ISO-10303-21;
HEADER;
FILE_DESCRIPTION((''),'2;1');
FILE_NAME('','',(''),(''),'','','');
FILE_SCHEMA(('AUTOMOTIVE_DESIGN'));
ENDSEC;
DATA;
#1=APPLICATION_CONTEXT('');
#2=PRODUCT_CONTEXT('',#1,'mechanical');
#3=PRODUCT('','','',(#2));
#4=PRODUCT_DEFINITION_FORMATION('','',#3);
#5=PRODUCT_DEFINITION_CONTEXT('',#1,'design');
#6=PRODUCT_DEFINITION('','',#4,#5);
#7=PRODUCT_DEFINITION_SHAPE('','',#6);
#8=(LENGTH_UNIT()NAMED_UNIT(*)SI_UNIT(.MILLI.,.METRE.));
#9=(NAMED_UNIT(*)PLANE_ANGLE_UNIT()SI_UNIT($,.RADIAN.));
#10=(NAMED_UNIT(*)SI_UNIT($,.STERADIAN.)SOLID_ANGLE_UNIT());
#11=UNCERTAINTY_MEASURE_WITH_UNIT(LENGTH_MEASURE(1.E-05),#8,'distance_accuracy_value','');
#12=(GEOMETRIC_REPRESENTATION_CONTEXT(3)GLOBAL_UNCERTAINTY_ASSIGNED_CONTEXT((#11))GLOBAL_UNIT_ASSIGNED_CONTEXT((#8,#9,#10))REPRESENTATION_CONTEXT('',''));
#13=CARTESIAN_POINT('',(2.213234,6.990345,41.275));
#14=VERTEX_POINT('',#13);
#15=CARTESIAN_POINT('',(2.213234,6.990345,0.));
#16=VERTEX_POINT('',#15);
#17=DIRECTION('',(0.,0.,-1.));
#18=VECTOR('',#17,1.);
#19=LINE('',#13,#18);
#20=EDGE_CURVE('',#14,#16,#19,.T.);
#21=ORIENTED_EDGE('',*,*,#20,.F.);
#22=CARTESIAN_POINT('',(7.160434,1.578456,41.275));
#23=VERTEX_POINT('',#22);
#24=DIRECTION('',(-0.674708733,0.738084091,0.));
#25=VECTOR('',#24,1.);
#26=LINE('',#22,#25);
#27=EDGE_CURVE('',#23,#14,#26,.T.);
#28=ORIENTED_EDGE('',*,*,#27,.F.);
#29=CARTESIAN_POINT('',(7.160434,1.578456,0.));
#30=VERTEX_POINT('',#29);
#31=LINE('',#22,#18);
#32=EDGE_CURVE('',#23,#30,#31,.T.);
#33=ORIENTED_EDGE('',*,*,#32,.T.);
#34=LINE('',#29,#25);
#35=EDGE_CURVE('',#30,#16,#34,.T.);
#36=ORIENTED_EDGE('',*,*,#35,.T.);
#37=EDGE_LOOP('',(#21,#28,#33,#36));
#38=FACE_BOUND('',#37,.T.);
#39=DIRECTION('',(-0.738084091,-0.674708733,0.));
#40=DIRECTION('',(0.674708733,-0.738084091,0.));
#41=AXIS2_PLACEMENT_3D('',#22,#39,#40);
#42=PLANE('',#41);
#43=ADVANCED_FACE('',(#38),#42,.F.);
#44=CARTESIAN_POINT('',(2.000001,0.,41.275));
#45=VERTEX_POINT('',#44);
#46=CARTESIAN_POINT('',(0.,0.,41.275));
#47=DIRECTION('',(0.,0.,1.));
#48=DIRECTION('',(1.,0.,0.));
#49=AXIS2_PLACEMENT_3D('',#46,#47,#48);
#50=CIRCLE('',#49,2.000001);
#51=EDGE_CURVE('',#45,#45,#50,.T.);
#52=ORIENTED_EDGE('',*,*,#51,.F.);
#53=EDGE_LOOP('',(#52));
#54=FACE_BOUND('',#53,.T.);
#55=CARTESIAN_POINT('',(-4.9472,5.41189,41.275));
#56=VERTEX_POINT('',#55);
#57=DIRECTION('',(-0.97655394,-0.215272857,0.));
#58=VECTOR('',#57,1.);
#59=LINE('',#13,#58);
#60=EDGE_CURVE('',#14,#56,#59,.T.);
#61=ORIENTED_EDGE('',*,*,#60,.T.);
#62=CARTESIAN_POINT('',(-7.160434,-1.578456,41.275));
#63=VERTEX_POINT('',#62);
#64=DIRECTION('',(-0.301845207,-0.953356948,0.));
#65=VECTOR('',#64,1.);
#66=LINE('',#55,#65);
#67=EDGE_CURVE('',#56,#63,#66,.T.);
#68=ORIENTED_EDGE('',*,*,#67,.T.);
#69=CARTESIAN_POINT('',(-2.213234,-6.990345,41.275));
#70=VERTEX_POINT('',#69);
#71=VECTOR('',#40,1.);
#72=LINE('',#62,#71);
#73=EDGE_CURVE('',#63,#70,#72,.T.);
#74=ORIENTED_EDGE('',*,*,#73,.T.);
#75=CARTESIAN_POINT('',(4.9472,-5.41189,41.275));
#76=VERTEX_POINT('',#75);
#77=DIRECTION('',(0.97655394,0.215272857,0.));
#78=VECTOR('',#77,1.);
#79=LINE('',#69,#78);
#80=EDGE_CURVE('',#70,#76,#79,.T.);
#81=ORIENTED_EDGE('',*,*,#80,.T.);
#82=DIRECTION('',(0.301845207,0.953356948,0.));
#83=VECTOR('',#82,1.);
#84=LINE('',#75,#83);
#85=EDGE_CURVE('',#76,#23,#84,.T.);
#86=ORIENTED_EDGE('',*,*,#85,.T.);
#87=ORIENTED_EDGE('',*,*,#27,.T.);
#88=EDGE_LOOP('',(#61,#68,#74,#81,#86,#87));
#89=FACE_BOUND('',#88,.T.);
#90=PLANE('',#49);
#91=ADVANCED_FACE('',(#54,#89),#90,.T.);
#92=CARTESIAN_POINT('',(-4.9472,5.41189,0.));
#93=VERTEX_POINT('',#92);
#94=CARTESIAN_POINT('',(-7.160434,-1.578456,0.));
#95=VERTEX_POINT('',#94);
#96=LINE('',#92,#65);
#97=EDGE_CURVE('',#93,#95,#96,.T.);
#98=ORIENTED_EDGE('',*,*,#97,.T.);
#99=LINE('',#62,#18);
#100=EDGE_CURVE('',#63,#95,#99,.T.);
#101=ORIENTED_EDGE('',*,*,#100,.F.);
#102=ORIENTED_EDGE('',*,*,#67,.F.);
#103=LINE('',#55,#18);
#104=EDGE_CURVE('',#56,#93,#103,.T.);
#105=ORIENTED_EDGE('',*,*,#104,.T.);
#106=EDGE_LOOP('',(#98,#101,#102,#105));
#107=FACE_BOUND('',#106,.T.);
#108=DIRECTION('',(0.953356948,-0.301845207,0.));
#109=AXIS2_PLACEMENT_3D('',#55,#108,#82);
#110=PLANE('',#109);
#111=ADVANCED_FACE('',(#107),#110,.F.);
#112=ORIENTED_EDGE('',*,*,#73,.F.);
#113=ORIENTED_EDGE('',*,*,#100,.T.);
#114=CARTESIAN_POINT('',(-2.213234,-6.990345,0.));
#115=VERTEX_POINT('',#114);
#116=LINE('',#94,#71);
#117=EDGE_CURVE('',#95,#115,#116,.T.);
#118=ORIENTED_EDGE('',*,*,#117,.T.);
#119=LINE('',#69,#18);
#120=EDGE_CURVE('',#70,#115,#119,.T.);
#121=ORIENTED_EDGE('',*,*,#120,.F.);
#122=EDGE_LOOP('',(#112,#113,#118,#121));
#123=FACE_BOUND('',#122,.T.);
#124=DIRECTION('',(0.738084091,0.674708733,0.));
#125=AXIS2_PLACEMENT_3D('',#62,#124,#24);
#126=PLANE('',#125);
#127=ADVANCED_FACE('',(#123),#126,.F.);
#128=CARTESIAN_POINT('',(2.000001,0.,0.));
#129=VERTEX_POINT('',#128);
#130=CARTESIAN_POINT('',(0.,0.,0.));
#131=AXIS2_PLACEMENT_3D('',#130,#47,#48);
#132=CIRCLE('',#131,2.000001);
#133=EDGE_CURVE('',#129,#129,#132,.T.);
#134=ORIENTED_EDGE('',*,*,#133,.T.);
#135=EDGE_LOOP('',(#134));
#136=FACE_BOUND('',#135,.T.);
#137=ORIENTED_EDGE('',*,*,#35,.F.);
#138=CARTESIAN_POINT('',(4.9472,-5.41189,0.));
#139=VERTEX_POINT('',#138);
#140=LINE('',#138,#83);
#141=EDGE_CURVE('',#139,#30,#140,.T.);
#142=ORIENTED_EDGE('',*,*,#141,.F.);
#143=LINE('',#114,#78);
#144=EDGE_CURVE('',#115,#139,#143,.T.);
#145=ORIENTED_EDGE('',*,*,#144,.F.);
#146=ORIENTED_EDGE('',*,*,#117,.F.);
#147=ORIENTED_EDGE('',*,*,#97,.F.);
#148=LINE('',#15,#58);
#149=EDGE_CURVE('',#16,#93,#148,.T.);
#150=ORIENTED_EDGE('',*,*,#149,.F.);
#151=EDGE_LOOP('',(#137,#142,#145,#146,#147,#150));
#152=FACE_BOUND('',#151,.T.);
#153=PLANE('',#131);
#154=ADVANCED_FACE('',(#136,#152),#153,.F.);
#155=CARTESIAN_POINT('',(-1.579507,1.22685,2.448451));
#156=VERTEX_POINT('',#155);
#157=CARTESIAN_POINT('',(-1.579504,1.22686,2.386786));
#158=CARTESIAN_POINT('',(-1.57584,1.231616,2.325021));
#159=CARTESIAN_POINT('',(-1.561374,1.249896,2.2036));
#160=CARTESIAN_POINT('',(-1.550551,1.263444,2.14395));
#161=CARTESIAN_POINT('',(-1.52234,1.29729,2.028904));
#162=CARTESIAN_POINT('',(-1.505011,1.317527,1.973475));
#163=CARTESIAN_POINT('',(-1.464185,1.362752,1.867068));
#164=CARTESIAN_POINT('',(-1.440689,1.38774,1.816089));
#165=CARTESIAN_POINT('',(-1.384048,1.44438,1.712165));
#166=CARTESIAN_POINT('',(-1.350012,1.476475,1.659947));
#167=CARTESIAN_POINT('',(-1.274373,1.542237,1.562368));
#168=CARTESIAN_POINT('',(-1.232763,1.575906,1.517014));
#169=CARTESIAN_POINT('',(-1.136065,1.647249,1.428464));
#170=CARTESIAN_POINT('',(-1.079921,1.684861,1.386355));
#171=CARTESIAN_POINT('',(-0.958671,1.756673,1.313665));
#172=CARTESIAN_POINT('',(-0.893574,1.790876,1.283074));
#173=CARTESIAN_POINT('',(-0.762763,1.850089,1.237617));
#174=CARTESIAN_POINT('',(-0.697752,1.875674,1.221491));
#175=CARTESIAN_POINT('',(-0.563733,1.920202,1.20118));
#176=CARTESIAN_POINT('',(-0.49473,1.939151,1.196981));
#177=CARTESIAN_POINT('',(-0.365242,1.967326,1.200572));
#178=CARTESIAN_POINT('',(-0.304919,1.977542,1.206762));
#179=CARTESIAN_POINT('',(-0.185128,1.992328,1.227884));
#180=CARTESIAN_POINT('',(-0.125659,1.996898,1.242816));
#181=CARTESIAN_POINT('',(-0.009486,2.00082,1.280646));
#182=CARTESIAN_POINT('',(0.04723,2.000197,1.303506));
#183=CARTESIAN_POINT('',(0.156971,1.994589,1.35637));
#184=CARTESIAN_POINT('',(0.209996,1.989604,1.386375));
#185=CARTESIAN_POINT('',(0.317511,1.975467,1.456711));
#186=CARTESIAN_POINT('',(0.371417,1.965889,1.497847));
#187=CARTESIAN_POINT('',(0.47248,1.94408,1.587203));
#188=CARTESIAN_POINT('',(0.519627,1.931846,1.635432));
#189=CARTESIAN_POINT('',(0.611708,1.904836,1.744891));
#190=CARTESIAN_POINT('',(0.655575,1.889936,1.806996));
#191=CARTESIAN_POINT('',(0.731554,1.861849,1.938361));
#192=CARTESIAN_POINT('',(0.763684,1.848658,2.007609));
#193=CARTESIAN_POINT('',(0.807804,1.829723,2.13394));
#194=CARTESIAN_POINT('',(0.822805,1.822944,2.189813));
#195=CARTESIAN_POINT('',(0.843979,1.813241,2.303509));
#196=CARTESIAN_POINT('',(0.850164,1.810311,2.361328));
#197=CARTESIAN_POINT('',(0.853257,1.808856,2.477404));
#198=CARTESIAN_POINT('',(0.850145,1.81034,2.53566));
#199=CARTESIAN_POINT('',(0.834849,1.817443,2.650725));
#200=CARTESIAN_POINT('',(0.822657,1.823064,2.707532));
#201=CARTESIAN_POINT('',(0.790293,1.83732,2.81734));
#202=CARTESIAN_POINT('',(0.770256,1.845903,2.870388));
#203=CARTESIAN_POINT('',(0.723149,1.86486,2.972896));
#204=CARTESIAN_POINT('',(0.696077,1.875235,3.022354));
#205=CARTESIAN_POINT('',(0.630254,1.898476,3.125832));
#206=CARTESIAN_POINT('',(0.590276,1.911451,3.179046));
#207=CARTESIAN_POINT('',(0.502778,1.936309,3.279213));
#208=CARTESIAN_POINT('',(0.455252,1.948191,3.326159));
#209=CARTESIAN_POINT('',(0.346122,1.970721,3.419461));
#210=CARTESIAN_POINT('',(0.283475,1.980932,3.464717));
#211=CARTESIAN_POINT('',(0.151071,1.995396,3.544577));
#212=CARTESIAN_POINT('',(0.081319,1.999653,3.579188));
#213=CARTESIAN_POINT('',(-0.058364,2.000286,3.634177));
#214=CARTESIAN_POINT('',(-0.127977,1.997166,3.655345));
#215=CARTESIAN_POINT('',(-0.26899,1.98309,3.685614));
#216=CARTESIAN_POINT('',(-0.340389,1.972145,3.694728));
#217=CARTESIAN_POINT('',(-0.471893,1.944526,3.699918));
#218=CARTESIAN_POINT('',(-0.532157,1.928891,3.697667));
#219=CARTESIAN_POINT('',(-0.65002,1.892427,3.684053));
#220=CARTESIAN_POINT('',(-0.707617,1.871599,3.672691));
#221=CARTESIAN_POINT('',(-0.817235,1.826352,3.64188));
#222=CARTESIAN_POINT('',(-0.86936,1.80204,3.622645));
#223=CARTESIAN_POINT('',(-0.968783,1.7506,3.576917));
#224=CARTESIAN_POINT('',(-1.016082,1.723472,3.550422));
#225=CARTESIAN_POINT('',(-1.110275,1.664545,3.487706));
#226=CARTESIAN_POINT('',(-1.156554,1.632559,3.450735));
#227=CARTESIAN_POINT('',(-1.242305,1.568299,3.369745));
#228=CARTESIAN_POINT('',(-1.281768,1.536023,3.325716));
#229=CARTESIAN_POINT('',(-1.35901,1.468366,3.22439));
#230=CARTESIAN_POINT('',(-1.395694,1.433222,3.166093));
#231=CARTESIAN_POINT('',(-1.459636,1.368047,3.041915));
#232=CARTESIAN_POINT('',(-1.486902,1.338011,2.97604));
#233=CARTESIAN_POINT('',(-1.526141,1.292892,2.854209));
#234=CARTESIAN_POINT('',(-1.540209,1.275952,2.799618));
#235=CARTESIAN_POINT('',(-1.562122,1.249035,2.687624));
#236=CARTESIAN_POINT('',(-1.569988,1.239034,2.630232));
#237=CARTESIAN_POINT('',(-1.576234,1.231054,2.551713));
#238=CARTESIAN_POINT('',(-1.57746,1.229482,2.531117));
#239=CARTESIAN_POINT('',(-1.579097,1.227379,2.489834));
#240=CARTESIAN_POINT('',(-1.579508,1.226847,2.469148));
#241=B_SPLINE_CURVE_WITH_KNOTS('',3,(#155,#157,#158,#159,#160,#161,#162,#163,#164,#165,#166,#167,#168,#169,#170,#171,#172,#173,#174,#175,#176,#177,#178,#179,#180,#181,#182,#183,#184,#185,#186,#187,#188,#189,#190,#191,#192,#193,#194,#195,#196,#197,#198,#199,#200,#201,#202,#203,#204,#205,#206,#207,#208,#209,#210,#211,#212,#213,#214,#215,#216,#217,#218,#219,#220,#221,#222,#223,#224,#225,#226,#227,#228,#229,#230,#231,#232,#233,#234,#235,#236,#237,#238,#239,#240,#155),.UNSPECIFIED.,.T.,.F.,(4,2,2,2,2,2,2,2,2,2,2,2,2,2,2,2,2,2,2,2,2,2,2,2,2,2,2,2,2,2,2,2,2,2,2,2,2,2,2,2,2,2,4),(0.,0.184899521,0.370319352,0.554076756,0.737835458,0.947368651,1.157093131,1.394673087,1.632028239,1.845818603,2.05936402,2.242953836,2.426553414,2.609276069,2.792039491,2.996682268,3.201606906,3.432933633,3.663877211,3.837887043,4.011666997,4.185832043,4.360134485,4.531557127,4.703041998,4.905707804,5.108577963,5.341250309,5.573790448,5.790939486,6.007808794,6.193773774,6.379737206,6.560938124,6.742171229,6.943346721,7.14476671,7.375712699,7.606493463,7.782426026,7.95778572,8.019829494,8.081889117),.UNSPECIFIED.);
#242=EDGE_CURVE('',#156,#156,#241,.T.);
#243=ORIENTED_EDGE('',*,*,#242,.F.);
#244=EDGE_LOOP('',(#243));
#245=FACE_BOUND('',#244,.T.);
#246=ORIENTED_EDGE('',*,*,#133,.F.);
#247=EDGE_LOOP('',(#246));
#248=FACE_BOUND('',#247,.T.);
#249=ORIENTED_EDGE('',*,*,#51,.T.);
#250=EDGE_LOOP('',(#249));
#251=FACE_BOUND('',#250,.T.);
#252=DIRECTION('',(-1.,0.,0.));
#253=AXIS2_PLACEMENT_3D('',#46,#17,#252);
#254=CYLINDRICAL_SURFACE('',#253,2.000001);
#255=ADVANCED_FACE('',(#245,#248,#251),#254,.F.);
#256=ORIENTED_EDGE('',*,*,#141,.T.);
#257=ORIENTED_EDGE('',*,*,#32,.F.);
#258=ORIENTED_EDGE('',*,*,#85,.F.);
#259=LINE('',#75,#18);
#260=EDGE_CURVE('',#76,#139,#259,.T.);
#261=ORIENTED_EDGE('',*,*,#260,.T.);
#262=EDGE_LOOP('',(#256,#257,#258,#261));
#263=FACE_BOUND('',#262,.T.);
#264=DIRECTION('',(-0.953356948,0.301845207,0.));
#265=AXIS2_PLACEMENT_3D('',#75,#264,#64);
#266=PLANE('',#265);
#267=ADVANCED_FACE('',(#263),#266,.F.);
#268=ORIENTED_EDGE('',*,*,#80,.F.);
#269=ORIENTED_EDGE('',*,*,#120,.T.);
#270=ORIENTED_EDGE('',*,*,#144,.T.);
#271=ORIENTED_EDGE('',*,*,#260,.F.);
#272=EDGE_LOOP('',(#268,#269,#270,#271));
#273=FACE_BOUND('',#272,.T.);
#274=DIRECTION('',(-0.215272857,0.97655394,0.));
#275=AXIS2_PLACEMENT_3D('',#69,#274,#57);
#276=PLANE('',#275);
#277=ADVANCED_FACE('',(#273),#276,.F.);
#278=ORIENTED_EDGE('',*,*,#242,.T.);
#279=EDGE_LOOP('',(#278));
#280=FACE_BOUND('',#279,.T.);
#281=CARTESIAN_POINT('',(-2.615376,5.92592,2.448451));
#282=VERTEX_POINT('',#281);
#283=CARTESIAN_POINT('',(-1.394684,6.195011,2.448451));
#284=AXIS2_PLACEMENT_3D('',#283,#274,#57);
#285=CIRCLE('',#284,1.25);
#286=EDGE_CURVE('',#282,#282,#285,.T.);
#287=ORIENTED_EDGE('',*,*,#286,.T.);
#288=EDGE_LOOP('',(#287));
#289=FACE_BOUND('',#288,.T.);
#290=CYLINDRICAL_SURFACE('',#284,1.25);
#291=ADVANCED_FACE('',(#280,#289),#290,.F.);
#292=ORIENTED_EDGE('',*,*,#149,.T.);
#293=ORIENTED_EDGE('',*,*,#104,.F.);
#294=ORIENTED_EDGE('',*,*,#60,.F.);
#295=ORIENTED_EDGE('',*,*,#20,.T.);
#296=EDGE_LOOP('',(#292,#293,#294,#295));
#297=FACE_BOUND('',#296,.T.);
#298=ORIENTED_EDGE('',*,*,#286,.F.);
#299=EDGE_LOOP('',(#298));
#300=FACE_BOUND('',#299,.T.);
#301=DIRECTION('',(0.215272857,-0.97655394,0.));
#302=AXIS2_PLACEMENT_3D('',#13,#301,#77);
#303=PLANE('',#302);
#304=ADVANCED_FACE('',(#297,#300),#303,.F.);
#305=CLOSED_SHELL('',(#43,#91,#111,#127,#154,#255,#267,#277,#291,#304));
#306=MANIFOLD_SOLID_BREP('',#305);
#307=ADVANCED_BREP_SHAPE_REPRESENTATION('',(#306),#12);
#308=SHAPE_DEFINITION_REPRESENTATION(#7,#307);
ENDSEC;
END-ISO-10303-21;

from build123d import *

# Parameters (mm, degrees)
SKETCH1_R             = 2.00000108
BOSS_EXTRUDE1_DEPTH   = 41.275
M3_TAPPED_HOLE1_D     = 2.5
M3_TAPPED_HOLE1_DEPTH = 6.35
M3_TAPPED_HOLE1_TIP   = 0.751075774


with BuildPart() as part:
    # Sketch1 → Boss-Extrude1 (new body)
    with BuildSketch(Plane.XY):
        Polygon((2.213234223, 6.990345314), (-4.947199511, 5.411889719), (-7.160433735, -1.578455595), (-2.213234223, -6.990345314), (4.947199511, -5.411889719), (7.160433735, 1.578455595), align=None)
        Circle(SKETCH1_R, mode=Mode.SUBTRACT)
    extrude(amount=BOSS_EXTRUDE1_DEPTH)

    # M3 Tapped Hole1
    with Locations(Plane(origin=(-1.394683733, 6.195011051, 2.448450975), x_dir=(0.976553939578, 0.21527285731, 0), z_dir=(-0.21527285731, 0.976553939578, 0))):
        with Locations((0, 0)):
            Hole(M3_TAPPED_HOLE1_D / 2, depth=M3_TAPPED_HOLE1_DEPTH)
            with Locations((0, 0, -(M3_TAPPED_HOLE1_DEPTH + M3_TAPPED_HOLE1_TIP / 2))):  # 118° drill point
                Cone(0, M3_TAPPED_HOLE1_D / 2, M3_TAPPED_HOLE1_TIP, mode=Mode.SUBTRACT)


solid = part.part
